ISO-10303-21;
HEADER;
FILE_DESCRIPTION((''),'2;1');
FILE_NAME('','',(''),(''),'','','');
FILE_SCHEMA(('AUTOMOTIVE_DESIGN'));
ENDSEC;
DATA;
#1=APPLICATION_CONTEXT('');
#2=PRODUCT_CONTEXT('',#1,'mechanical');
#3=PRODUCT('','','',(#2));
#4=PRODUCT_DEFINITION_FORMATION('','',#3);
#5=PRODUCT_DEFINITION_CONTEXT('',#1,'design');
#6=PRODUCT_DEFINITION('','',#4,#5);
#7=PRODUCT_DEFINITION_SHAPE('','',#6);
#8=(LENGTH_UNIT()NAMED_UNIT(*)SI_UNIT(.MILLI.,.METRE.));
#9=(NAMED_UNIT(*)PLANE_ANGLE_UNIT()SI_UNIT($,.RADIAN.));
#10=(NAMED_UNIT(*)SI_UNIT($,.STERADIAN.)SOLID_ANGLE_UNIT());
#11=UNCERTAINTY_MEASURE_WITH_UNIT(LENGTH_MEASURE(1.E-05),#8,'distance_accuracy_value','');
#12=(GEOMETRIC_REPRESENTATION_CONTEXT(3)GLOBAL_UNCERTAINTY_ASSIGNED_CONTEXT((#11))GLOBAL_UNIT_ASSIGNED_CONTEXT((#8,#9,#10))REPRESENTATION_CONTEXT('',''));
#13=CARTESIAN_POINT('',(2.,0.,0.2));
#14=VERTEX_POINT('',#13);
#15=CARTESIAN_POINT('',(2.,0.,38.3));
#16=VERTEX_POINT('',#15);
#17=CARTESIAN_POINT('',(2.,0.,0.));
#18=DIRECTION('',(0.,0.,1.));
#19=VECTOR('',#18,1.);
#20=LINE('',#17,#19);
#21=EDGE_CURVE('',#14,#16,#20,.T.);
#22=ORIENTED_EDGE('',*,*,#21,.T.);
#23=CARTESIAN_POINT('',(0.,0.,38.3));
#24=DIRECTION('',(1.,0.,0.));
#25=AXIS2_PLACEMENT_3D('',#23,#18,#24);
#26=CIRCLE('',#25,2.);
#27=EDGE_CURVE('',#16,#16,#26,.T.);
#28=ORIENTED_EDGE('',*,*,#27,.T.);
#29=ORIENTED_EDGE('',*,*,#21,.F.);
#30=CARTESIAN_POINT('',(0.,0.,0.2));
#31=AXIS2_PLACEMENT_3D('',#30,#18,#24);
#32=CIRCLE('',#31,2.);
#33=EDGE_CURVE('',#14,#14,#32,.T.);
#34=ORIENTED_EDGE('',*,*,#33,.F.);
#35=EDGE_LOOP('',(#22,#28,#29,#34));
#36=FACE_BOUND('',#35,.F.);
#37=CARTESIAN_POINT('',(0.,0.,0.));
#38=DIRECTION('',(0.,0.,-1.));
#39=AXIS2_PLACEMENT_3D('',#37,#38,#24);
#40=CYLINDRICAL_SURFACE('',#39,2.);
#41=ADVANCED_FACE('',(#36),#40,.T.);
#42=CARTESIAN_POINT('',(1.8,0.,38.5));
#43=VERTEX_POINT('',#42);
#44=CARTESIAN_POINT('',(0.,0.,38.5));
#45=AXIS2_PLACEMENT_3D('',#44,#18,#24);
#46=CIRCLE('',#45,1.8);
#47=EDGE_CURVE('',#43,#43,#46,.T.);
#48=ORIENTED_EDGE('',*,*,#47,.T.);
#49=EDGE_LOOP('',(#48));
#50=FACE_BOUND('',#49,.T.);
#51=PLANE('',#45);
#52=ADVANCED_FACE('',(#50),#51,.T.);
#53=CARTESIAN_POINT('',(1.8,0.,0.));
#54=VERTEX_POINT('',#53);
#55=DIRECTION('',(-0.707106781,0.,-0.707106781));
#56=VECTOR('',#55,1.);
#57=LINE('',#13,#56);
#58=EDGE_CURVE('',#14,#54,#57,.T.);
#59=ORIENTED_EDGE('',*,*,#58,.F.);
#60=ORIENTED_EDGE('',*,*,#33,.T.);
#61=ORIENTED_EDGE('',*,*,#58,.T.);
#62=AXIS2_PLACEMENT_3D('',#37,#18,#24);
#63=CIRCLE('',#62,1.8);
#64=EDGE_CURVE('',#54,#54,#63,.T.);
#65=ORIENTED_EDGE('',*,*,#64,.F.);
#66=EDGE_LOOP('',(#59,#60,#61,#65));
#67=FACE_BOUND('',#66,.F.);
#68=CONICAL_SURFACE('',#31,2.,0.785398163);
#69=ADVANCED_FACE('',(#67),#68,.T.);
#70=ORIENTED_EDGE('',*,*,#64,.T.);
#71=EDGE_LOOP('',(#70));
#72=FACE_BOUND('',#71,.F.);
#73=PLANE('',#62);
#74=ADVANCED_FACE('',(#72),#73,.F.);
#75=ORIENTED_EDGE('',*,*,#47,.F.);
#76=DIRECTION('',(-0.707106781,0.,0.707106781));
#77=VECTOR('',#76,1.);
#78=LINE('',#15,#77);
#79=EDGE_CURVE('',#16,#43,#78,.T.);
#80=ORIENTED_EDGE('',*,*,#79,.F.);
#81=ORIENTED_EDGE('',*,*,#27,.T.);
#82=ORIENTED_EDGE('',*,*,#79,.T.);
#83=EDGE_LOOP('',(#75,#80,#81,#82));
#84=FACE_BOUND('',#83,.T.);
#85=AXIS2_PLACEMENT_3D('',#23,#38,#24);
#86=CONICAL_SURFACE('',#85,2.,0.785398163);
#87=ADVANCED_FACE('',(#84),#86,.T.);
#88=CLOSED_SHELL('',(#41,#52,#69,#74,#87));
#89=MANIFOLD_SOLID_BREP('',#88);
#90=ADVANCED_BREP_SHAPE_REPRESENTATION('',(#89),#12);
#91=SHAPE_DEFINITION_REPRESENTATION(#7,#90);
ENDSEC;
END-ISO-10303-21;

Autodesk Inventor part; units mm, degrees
ref_plane "YZ Plane" through (0, 0, 0) normal (1, 0, 0) x (0, 1, 0)
ref_plane "XZ Plane" through (0, 0, 0) normal (0, 1, 0) x (-1, 0, 0)
ref_plane "XY Plane" through (0, 0, 0) normal (0, 0, 1) x (1, 0, 0)
sketch "Skizze1" plane through (0, 0, 0) normal (0, 0, 1) x (1, 0, 0)
  circle A0 centre (0, 0) radius 2
  dimension "d0" = 4
extrude "Extrusion1" add sketch "Skizze1" along normal blind 38.5
chamfer "Fase1" distance 0.2 angle 45 2 edges at (-2, 0, 38.5) (-2, 0, 0)
properties part number "LegV3Axis1"
